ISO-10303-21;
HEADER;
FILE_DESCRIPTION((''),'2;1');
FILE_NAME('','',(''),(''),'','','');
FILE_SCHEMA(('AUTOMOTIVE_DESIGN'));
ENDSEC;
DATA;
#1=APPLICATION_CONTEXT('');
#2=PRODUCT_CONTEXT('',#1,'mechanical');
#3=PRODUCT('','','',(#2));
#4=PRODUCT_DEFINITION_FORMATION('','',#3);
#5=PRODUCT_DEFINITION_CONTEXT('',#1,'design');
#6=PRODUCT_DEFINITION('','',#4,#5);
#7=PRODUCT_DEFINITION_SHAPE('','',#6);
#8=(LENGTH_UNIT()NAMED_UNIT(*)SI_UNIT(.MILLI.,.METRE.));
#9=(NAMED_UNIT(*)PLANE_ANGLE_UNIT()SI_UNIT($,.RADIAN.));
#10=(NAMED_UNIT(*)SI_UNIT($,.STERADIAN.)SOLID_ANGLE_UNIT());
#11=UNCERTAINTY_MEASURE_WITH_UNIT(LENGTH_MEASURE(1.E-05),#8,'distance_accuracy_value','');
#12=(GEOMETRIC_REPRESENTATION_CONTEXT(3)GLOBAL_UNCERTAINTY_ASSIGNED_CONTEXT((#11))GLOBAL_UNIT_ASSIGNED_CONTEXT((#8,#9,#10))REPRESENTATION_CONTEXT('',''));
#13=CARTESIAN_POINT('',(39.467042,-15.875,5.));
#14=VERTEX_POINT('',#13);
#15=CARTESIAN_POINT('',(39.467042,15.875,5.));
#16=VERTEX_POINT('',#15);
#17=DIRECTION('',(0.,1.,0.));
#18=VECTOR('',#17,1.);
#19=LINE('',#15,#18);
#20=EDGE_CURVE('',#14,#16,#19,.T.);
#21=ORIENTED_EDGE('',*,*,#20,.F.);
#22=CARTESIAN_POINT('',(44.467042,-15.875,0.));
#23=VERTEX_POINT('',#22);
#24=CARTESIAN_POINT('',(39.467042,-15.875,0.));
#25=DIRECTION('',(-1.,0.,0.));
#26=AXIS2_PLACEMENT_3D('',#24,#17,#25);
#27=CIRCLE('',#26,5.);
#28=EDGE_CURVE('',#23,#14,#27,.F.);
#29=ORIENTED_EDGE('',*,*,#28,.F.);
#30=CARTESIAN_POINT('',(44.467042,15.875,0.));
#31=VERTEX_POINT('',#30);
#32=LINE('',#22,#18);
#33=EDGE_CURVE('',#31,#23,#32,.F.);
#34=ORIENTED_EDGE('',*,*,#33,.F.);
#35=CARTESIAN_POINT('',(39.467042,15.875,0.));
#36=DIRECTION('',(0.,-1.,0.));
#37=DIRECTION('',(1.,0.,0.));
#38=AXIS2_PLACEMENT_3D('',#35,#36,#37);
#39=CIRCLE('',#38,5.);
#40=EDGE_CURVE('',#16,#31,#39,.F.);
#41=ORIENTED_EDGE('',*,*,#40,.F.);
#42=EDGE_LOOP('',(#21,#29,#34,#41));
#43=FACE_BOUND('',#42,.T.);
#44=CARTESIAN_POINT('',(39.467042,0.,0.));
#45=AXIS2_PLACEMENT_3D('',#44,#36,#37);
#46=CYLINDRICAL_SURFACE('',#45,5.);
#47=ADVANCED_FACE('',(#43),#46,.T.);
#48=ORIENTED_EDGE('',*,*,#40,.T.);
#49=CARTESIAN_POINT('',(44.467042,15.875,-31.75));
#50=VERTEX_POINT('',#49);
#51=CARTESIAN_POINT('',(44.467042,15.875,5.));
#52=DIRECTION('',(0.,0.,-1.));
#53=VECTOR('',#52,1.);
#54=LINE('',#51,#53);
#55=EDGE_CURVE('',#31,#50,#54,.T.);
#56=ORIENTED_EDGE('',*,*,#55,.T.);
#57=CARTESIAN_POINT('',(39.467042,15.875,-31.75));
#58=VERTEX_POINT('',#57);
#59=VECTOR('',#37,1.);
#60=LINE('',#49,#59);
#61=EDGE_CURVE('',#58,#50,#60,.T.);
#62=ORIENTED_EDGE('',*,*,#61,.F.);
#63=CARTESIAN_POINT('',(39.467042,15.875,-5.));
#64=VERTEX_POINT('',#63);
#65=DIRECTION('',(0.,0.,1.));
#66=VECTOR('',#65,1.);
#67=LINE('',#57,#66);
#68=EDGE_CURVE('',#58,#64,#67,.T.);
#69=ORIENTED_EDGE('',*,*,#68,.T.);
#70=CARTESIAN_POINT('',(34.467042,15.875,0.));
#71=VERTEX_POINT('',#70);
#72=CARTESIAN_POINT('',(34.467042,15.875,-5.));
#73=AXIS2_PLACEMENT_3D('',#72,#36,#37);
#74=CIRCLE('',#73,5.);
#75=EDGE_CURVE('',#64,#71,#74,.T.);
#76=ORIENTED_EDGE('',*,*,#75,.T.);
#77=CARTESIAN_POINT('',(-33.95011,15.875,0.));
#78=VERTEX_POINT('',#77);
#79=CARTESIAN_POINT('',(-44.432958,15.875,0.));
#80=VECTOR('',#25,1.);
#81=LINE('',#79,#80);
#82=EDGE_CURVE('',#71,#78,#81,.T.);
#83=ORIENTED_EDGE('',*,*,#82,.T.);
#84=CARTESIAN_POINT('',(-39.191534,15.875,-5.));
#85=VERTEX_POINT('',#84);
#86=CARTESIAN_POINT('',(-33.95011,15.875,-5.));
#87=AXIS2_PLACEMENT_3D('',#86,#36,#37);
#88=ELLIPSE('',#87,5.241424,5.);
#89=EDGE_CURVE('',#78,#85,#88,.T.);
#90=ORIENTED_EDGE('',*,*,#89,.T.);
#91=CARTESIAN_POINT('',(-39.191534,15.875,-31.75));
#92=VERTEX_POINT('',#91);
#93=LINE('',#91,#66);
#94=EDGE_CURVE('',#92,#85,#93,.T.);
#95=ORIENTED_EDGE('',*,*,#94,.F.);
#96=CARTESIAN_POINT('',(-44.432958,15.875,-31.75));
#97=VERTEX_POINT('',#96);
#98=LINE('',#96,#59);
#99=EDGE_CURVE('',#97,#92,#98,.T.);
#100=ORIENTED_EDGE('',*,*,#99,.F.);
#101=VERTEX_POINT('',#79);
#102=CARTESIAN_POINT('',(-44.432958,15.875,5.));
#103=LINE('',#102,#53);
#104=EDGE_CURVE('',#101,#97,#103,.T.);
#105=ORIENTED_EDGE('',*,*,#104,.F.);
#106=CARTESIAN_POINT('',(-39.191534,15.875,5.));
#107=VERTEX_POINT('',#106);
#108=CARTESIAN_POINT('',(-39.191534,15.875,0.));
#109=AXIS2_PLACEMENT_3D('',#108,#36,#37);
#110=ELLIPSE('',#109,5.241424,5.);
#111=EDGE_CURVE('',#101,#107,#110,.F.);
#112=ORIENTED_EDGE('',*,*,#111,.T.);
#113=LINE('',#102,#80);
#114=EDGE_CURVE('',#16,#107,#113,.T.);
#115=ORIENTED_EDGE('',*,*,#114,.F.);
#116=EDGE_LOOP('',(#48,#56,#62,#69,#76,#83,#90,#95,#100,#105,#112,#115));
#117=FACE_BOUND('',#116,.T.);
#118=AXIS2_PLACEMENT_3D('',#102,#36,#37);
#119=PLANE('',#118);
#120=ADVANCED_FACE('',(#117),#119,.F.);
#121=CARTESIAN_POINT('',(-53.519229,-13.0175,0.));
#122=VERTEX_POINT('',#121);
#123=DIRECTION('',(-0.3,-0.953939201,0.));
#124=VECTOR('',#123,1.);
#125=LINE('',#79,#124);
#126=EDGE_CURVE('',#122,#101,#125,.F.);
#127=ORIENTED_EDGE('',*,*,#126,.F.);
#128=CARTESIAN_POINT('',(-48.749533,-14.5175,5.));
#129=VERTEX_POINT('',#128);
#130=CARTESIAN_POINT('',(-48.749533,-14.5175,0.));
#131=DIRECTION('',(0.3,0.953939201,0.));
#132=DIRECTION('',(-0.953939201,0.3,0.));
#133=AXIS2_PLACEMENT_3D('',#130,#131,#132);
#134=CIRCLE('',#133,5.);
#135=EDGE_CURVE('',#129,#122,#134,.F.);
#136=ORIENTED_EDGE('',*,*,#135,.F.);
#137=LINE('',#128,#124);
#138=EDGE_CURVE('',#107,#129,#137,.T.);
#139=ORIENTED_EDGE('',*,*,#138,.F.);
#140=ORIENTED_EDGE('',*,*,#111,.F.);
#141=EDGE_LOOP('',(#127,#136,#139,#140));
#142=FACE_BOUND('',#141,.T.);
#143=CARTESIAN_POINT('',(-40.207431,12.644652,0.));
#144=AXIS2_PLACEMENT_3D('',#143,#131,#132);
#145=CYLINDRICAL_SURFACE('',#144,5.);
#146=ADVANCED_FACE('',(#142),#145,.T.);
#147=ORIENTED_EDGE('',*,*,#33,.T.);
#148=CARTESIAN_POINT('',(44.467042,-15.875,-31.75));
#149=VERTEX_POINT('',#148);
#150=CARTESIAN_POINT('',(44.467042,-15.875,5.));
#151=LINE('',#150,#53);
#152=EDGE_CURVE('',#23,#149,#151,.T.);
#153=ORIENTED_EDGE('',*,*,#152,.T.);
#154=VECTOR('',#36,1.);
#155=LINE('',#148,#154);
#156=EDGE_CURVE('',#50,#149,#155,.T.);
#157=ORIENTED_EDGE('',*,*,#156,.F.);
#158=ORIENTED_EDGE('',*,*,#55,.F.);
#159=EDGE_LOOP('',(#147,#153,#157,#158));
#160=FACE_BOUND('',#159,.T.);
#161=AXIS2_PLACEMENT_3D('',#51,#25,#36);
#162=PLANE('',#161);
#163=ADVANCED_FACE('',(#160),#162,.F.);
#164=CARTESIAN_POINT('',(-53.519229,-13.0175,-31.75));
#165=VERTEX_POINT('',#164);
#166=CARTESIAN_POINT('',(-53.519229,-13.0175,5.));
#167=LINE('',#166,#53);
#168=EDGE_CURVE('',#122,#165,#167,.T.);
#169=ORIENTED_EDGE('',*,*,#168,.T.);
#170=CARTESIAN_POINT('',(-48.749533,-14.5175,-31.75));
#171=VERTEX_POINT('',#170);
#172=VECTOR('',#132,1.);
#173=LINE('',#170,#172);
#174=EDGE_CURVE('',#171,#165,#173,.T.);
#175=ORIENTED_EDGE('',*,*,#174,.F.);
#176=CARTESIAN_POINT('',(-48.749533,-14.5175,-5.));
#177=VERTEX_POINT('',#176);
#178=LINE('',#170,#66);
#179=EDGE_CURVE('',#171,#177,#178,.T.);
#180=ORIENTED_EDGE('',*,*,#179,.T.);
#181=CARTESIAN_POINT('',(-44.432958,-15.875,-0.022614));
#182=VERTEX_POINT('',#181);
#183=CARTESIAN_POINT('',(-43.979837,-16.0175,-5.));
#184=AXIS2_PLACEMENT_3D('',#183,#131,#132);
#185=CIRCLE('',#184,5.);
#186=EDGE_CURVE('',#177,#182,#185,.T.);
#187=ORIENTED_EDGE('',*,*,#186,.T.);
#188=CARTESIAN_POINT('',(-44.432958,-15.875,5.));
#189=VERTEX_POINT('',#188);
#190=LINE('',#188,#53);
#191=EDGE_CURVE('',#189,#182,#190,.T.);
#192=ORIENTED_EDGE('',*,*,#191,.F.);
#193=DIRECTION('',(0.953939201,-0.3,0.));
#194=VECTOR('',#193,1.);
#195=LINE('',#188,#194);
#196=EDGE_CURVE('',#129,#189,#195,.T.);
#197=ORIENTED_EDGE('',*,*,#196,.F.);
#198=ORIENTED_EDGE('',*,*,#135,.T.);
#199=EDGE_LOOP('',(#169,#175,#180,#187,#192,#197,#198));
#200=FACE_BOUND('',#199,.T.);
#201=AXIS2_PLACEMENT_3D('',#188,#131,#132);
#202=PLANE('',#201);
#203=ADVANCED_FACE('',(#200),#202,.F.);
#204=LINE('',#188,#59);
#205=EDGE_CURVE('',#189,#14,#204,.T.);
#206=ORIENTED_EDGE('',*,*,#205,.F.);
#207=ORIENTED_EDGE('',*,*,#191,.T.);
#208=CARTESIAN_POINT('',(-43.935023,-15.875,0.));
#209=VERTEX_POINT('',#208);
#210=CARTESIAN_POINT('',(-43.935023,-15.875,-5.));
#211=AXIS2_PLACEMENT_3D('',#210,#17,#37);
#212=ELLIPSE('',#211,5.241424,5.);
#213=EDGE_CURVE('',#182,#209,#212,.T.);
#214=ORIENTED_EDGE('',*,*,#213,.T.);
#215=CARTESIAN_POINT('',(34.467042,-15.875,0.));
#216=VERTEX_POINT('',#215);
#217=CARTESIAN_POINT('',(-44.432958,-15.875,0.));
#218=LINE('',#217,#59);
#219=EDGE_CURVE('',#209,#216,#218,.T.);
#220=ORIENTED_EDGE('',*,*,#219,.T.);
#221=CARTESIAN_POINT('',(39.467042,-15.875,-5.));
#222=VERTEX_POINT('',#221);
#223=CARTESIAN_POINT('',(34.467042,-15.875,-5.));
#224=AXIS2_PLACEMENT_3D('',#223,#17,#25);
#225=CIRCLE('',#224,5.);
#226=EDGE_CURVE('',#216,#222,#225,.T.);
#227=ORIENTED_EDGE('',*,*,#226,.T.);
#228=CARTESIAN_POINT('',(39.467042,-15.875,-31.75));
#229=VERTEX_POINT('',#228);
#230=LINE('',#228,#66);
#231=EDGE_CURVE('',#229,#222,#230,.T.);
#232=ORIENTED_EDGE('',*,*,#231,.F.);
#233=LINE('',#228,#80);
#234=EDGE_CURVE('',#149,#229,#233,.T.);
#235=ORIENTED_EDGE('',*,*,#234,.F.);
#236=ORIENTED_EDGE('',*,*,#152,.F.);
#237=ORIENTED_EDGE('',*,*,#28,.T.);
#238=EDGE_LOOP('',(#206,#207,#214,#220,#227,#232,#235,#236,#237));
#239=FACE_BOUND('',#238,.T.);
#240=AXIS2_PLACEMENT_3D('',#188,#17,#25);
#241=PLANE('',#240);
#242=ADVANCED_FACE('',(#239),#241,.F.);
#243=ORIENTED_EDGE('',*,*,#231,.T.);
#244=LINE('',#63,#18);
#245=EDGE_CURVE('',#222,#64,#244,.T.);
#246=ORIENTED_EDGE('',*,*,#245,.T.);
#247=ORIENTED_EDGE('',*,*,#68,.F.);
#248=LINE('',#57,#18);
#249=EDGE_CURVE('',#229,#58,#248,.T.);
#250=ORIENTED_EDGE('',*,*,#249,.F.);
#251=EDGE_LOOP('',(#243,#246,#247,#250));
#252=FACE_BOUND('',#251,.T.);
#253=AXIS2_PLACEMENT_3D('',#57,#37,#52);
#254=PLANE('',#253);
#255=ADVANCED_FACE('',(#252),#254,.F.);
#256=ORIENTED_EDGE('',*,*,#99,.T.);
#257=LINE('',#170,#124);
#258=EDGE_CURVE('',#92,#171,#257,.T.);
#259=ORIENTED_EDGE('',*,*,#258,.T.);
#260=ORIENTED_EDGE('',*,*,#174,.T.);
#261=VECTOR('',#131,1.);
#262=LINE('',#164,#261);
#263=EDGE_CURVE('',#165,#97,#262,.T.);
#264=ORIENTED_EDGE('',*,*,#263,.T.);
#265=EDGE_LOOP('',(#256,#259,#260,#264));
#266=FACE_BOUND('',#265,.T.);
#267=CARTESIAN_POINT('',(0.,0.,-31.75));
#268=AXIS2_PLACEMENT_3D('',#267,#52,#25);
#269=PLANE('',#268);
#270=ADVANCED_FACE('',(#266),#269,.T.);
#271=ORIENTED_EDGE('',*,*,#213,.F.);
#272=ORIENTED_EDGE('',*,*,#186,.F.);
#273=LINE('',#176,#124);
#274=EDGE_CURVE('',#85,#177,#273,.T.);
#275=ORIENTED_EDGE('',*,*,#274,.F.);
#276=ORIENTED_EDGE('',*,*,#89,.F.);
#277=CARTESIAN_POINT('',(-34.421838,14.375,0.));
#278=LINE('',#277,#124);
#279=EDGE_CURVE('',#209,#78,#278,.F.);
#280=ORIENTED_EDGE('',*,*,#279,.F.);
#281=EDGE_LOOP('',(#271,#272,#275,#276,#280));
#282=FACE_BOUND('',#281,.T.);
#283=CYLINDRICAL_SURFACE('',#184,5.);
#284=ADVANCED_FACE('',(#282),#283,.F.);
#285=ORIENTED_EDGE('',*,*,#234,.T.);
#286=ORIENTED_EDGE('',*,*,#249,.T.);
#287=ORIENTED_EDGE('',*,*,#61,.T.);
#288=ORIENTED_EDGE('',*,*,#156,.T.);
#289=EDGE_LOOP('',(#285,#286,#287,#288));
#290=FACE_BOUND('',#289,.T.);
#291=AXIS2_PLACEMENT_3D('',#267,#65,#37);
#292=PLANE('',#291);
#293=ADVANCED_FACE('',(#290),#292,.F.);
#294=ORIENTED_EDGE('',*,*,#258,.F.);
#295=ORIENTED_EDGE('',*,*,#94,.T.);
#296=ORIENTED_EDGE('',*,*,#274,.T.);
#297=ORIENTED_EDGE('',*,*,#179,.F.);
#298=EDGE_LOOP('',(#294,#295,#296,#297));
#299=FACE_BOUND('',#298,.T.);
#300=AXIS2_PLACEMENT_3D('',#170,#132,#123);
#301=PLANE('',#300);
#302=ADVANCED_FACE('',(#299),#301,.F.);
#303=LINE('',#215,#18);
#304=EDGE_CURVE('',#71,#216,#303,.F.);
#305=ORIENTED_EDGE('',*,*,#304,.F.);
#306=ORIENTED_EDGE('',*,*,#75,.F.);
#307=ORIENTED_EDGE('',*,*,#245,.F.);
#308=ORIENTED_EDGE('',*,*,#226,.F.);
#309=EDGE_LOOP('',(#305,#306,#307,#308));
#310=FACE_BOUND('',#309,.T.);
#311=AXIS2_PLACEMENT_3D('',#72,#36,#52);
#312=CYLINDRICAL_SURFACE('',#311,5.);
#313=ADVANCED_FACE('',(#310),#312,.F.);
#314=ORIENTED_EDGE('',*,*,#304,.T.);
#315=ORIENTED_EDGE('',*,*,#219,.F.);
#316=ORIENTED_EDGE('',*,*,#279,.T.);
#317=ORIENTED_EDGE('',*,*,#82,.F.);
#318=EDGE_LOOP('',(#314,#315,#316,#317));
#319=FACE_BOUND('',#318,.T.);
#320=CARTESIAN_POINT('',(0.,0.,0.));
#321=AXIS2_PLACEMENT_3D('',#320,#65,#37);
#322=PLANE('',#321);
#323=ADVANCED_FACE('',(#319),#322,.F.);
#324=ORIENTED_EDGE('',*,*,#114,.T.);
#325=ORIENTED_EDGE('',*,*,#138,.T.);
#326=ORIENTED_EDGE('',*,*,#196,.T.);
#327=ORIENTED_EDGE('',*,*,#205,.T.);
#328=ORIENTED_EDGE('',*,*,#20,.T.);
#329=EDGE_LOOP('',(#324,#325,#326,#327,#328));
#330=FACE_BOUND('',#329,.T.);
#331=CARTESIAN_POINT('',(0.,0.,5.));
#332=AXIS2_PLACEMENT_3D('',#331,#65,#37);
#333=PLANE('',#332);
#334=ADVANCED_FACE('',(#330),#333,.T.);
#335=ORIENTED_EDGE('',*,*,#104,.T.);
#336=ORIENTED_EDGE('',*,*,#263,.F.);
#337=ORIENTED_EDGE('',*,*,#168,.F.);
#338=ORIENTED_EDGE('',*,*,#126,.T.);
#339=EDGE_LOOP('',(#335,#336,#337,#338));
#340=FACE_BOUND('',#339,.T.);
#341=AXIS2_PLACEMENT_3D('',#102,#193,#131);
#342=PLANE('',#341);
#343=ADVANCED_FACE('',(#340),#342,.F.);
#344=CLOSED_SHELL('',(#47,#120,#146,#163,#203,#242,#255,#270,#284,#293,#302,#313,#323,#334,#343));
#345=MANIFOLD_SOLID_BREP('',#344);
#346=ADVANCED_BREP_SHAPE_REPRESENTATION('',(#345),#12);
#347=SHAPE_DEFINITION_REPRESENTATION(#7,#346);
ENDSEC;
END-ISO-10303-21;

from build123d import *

# Parameters (mm, degrees)
BOSS_EXTRUDE1_DEPTH = 5
BOSS_EXTRUDE2_DEPTH = 31.75
FILLET1_R           = 5


with BuildPart() as part:
    # Sketch1 → Boss-Extrude1 (new body)
    with BuildSketch(Plane.XY):
        Polygon((-44.432958232964275, 15.875000000000018), (44.46704176703572, 15.875000000000021), (44.467041767035624, -15.874999999999979), (-44.43295823296417, -15.875000000000448), (-53.51922912646058, -13.017500000000476), align=None)
    extrude(amount=BOSS_EXTRUDE1_DEPTH)

    # Sketch2 → Boss-Extrude2 (add)
    with BuildSketch(Plane(origin=(0, 0, 0), x_dir=(-1, 0, 0), z_dir=(0, 0, -1))):
        Polygon((-39.467041767035624, 15.875000000000021), (-39.467041767035624, -15.875000000000448), (-44.467041767035624, -15.874999999999979), (-44.46704176703572, 15.875000000000021), align=None)
        Polygon((48.749533119375855, -14.51750000000046), (39.191534049354715, 15.875000000000021), (44.432958232964275, 15.875000000000018), (53.51922912646058, -13.017500000000476), align=None)
    extrude(amount=BOSS_EXTRUDE2_DEPTH)

    # Fillet1
    fillet1_edges = [part.edges().sort_by_distance(p)[0] for p in [
        (-48.97609367971243, 1.4287499999997717, 5),
        (-43.970533584365285, 0.6787499999997806, 0),
        (39.467041767035624, -2.1316e-13, 0),
        (44.46704176703567, 2.132e-14, 5),
    ]]
    fillet(fillet1_edges, radius=FILLET1_R)


solid = part.part
